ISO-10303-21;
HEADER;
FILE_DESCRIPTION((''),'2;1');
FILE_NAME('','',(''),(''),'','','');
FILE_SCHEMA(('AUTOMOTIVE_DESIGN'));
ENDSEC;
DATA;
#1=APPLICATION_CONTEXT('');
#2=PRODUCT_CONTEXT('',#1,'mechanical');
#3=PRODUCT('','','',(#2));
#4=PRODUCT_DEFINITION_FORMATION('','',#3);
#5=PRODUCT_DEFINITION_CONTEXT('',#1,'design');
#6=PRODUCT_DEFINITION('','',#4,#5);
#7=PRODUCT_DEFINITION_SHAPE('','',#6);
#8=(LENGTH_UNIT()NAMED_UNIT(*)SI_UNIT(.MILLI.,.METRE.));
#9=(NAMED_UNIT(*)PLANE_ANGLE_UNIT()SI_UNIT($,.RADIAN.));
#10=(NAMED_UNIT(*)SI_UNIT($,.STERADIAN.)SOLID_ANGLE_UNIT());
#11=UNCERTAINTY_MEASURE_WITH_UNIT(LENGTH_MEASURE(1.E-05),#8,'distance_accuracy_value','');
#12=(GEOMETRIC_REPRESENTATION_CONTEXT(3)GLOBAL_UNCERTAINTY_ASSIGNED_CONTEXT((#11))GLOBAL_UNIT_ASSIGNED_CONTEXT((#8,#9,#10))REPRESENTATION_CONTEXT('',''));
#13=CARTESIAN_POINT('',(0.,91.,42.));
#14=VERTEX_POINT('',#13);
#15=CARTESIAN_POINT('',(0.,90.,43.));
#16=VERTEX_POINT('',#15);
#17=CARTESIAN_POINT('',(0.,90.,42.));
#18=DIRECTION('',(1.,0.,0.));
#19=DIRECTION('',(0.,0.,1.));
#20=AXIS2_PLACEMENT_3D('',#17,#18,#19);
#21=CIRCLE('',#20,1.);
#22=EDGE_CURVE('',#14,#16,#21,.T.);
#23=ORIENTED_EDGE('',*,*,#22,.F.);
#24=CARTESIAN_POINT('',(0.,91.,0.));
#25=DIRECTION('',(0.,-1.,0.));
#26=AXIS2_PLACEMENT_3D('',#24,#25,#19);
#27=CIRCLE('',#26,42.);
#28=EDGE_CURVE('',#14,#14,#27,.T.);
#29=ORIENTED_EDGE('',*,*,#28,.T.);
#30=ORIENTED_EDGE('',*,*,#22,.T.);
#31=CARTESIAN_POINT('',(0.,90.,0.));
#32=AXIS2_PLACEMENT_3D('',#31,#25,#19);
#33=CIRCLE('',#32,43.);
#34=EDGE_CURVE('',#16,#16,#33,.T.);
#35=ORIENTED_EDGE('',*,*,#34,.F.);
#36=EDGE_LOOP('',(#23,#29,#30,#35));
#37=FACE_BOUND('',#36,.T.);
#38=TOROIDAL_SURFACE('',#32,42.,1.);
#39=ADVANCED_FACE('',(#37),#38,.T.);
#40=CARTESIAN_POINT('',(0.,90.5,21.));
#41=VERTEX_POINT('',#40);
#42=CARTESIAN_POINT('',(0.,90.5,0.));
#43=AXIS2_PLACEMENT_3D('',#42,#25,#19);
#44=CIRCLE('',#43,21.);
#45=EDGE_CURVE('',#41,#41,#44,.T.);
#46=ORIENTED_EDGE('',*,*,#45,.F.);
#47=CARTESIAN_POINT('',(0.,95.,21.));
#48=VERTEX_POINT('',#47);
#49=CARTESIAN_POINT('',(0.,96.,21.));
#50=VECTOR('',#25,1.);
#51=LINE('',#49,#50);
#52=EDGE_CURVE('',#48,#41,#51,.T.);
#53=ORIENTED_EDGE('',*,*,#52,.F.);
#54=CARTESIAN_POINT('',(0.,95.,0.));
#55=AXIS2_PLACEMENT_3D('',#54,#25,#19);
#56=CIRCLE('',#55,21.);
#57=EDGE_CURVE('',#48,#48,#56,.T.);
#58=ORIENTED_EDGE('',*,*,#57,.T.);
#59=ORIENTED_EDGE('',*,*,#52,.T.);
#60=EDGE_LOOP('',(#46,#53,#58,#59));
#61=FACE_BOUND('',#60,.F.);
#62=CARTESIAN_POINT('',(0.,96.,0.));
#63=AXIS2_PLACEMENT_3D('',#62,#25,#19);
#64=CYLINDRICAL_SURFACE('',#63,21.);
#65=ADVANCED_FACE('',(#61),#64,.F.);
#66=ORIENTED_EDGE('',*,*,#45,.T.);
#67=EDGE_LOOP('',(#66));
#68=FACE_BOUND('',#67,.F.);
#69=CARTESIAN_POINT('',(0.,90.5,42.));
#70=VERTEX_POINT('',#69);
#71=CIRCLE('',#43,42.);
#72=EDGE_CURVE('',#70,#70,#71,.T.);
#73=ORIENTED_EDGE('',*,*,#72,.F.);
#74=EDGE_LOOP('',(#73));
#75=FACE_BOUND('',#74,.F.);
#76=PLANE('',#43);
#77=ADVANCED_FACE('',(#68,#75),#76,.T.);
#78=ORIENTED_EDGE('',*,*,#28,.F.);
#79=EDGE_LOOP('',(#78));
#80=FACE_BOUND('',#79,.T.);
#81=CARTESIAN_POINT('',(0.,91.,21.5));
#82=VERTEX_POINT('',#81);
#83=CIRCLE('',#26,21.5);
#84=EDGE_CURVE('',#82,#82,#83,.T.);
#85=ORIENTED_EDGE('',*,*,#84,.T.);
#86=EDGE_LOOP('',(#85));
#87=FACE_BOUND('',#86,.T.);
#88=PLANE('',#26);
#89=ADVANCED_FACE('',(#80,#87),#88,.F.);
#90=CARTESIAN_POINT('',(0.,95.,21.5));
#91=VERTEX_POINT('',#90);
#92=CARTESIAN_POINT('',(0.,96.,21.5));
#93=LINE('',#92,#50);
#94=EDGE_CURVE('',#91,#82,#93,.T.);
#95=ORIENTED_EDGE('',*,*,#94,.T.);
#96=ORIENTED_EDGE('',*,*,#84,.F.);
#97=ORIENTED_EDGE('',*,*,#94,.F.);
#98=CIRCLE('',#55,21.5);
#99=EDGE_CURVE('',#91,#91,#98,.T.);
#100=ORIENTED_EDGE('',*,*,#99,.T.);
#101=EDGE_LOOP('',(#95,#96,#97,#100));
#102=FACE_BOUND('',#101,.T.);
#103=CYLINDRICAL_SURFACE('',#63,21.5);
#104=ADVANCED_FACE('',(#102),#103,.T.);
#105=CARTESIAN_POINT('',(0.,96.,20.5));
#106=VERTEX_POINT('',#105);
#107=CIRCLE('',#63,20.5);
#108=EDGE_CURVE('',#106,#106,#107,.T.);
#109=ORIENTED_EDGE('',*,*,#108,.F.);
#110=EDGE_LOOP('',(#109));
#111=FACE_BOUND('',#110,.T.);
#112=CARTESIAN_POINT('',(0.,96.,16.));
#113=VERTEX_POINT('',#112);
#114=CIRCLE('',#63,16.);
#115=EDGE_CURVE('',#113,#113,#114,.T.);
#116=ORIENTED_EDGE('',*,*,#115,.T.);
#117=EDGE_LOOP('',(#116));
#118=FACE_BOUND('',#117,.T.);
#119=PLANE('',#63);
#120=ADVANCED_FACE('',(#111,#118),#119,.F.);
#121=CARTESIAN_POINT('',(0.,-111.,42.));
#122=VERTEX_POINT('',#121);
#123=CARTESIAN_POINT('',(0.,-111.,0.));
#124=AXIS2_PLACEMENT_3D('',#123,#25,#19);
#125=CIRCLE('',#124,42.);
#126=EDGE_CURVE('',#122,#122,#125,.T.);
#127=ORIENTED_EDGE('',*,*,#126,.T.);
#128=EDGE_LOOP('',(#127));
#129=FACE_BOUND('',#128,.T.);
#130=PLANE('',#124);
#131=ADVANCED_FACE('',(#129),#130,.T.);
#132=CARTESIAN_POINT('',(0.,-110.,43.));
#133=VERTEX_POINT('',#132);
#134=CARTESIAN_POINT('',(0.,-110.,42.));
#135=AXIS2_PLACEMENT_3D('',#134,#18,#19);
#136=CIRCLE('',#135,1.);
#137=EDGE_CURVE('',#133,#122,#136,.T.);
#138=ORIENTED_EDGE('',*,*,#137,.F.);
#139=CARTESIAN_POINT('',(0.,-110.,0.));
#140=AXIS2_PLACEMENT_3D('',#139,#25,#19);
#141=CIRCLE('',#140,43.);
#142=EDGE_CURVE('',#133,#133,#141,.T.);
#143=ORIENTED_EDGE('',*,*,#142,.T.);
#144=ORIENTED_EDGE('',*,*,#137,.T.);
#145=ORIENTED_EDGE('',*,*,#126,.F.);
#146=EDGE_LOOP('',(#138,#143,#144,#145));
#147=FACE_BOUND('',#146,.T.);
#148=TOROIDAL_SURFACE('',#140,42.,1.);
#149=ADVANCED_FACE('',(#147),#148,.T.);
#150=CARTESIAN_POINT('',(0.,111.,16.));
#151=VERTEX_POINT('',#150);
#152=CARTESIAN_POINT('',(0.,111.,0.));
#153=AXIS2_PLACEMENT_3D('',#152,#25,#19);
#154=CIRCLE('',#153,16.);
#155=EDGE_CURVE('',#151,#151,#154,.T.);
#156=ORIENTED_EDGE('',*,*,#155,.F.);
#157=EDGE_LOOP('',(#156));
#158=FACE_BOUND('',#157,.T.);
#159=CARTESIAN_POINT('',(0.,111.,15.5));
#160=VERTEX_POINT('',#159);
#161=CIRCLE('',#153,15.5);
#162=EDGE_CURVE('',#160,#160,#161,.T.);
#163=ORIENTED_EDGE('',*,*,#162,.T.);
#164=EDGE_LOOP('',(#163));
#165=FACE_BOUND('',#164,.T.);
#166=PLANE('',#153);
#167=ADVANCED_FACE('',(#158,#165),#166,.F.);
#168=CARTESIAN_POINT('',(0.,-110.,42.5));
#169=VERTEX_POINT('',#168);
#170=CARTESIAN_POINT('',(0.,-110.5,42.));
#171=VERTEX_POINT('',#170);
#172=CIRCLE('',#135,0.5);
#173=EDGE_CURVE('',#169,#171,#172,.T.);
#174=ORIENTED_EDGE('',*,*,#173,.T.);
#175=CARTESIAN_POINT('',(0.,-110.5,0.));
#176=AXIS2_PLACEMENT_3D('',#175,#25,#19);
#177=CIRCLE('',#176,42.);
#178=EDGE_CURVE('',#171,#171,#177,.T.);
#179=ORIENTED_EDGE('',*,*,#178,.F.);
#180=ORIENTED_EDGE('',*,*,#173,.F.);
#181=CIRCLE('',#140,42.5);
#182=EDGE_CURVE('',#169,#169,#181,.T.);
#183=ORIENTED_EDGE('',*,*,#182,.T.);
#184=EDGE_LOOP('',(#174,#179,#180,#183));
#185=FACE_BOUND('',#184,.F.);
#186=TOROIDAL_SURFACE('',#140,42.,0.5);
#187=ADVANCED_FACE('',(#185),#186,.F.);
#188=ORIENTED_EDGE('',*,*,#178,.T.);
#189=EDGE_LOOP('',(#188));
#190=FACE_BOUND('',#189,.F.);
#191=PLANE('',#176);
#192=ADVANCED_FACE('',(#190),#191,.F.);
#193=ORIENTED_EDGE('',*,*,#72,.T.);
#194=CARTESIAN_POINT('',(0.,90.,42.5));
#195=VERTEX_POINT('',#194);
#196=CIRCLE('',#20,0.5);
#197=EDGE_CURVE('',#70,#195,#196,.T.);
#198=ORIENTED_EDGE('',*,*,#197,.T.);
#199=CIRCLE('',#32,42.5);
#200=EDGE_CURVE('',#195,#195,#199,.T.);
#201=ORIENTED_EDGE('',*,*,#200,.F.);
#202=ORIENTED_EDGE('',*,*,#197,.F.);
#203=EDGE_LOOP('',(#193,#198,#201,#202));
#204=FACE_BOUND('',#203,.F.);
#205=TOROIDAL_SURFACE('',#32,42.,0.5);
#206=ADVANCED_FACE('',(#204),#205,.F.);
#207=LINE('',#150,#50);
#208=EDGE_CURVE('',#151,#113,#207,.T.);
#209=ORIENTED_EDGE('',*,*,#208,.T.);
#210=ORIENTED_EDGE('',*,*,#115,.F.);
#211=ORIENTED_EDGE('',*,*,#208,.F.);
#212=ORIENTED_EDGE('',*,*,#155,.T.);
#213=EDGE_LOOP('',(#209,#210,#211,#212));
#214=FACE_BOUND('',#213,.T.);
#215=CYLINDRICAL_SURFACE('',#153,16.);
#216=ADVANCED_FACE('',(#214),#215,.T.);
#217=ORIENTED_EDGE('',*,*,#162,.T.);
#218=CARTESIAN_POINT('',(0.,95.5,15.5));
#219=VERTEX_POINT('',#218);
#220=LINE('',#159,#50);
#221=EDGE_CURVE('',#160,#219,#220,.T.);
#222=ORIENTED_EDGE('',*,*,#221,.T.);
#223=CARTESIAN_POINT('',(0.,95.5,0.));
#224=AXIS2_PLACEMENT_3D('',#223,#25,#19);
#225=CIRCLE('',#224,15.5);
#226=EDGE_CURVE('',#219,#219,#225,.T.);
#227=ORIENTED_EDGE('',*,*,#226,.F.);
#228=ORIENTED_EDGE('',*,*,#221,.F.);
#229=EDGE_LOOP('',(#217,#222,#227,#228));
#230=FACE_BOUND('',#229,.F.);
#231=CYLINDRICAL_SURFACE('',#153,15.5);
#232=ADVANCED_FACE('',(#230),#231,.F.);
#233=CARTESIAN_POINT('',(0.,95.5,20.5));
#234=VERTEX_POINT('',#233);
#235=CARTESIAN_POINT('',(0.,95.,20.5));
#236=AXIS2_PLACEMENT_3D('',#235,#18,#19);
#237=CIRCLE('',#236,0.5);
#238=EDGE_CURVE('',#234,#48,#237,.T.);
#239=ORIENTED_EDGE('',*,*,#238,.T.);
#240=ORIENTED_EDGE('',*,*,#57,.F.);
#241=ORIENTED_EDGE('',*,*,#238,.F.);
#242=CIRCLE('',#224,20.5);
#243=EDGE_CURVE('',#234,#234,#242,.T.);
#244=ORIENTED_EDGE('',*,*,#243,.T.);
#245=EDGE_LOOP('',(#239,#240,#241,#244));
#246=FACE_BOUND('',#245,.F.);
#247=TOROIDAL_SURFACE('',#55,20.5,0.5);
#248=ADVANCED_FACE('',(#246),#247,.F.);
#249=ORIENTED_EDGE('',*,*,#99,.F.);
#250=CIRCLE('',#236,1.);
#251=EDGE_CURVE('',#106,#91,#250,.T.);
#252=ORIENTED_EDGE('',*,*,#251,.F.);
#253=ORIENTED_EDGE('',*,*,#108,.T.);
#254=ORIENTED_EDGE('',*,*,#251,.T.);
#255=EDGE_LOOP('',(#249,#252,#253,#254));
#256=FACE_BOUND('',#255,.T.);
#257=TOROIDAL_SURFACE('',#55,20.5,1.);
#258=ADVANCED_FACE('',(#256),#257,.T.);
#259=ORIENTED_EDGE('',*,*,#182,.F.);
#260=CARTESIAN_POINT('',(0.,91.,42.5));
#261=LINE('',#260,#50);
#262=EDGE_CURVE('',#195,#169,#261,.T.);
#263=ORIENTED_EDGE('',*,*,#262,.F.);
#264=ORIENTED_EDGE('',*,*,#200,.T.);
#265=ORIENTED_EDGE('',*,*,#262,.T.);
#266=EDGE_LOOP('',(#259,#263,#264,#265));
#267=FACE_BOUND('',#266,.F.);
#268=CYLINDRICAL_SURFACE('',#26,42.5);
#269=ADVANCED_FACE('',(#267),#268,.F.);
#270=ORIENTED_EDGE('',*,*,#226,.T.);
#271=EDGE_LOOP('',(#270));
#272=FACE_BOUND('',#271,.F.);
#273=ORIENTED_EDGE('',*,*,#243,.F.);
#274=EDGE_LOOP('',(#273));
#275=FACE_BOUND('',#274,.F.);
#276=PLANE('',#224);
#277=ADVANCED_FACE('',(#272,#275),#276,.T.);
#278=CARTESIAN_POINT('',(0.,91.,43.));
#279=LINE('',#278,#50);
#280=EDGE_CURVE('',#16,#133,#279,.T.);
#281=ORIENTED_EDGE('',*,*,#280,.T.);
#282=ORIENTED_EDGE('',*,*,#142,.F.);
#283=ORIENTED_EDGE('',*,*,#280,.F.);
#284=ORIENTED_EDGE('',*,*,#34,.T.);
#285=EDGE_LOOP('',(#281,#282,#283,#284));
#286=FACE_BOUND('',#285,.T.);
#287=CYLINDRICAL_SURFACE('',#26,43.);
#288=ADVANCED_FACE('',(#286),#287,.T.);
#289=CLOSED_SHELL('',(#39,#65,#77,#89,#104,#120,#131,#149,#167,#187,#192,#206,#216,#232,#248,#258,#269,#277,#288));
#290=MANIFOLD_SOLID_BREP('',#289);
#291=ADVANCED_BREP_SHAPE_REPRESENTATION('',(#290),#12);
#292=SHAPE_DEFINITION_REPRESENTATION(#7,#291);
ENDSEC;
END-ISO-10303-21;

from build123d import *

# Parameters (mm, degrees)
FILLET_1_R = 1
SHELL_1_T  = -0.5


with BuildPart() as part:
    # 草图2 → 旋转1 (revolve)
    with BuildSketch(Plane.XY, mode=Mode.PRIVATE) as revolve_1_sk:
        Polygon((0, 111), (16, 111), (16, 96), (21.5, 96), (21.5, 91), (43, 91), (43, -111), (0, -111), align=None)
    revolve(revolve_1_sk.sketch.rotate(Axis((0, 36.939473279, 0), (0, -1, 0)), 90), axis=Axis((0, 36.939473279, 0), (0, -1, 0)))

    # 圆角1
    fillet_1_edges = [part.edges().sort_by_distance(p)[0] for p in [
        (0, -111, -43),
        (0, 91, -43),
        (0, 96, -21.5),
    ]]
    fillet(fillet_1_edges, radius=FILLET_1_R)

    # 抽壳1
    shell_1_openings = [part.faces().sort_by_distance(p)[0] for p in [
        (0, 111, 0),
    ]]
    offset(amount=SHELL_1_T, openings=shell_1_openings, kind=Kind.INTERSECTION)


solid = part.part
